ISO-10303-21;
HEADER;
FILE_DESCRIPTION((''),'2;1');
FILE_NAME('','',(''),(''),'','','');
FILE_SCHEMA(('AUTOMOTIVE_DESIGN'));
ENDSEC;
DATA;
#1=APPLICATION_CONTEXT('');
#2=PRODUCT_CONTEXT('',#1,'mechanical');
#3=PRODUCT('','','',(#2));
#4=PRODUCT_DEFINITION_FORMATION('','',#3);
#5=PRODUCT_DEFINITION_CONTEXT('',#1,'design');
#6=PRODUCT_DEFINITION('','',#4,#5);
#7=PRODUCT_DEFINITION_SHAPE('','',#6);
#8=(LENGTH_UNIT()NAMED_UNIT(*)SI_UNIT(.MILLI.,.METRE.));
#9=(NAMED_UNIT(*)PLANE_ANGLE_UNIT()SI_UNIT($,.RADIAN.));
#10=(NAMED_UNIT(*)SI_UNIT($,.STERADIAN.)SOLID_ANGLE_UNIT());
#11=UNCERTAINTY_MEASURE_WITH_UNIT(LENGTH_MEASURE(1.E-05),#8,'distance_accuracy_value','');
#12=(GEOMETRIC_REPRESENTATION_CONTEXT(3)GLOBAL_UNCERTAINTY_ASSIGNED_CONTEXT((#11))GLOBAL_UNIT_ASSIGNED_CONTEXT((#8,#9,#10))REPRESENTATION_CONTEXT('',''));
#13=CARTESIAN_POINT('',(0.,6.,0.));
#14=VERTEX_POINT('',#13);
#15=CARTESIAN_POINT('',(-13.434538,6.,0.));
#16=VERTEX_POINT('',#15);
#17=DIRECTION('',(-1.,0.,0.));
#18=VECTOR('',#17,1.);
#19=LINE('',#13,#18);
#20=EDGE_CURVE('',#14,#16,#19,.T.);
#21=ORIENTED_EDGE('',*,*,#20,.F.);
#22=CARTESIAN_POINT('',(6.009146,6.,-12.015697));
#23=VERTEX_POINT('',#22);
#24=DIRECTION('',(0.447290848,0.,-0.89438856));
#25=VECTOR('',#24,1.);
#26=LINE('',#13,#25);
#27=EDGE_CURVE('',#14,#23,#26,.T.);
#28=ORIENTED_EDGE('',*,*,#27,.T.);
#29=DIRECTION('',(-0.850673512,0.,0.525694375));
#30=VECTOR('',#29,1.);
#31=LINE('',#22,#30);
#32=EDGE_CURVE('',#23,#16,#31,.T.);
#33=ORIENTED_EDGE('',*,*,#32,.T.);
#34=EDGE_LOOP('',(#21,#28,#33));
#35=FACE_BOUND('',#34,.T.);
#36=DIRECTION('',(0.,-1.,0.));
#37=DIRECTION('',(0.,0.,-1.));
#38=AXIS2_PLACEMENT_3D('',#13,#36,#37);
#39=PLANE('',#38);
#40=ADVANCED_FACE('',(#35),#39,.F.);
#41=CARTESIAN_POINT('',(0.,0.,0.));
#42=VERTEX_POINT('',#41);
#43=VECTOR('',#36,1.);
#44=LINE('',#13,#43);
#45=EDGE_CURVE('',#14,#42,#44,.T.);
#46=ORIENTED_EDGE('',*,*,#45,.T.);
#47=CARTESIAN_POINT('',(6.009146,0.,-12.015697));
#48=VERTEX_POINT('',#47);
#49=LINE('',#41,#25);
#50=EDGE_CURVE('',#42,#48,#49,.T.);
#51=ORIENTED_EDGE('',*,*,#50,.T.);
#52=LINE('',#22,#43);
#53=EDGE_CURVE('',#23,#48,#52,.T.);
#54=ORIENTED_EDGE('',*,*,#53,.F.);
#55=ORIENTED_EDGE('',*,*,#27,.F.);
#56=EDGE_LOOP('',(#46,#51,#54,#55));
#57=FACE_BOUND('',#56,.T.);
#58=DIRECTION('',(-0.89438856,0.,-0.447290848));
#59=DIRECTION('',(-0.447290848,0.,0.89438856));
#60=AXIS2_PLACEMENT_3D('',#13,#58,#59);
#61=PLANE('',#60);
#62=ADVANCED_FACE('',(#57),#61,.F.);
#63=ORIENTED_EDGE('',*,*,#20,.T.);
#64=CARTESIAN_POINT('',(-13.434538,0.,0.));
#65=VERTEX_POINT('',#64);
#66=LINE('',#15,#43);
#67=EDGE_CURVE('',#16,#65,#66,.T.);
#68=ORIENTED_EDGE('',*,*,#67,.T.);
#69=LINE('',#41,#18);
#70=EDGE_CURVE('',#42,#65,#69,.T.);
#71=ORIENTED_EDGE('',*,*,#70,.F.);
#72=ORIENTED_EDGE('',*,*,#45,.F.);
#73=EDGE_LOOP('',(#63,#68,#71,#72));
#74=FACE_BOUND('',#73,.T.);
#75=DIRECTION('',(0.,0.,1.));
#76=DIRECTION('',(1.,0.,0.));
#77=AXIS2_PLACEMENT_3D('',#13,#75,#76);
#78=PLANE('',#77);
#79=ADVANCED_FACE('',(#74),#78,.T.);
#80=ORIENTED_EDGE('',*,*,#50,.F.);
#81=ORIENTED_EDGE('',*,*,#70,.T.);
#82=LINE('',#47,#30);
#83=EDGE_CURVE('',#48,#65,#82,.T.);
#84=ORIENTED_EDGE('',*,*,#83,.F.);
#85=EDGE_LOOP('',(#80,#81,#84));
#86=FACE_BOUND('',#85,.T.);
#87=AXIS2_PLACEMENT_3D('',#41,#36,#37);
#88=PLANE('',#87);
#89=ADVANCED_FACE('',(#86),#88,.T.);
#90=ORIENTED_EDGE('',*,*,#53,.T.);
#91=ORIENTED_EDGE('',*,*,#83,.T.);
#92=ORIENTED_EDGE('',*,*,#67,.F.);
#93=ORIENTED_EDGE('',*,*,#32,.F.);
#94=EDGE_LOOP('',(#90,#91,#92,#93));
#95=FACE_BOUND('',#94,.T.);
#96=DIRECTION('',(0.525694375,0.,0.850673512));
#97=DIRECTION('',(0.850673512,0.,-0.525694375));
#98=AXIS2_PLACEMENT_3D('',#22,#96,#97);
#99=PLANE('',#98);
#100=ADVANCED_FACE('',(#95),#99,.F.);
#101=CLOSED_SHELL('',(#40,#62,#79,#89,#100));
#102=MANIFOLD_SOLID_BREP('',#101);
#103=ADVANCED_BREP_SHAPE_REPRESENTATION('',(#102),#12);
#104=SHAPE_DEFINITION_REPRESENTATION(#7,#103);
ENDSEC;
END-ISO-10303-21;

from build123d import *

# Parameters (mm, degrees)
BOSS_EXTRUDE1_DEPTH = 6


with BuildPart() as part:
    # Sketch1 → Boss-Extrude1 (new body)
    with BuildSketch(Plane(origin=(0, 0, 0), x_dir=(1, 0, 0), z_dir=(0, 1, 0))):
        Polygon((0, 0), (-13.434537667, 0), (6.009145751, 12.015696803), align=None)
    extrude(amount=BOSS_EXTRUDE1_DEPTH)


solid = part.part
